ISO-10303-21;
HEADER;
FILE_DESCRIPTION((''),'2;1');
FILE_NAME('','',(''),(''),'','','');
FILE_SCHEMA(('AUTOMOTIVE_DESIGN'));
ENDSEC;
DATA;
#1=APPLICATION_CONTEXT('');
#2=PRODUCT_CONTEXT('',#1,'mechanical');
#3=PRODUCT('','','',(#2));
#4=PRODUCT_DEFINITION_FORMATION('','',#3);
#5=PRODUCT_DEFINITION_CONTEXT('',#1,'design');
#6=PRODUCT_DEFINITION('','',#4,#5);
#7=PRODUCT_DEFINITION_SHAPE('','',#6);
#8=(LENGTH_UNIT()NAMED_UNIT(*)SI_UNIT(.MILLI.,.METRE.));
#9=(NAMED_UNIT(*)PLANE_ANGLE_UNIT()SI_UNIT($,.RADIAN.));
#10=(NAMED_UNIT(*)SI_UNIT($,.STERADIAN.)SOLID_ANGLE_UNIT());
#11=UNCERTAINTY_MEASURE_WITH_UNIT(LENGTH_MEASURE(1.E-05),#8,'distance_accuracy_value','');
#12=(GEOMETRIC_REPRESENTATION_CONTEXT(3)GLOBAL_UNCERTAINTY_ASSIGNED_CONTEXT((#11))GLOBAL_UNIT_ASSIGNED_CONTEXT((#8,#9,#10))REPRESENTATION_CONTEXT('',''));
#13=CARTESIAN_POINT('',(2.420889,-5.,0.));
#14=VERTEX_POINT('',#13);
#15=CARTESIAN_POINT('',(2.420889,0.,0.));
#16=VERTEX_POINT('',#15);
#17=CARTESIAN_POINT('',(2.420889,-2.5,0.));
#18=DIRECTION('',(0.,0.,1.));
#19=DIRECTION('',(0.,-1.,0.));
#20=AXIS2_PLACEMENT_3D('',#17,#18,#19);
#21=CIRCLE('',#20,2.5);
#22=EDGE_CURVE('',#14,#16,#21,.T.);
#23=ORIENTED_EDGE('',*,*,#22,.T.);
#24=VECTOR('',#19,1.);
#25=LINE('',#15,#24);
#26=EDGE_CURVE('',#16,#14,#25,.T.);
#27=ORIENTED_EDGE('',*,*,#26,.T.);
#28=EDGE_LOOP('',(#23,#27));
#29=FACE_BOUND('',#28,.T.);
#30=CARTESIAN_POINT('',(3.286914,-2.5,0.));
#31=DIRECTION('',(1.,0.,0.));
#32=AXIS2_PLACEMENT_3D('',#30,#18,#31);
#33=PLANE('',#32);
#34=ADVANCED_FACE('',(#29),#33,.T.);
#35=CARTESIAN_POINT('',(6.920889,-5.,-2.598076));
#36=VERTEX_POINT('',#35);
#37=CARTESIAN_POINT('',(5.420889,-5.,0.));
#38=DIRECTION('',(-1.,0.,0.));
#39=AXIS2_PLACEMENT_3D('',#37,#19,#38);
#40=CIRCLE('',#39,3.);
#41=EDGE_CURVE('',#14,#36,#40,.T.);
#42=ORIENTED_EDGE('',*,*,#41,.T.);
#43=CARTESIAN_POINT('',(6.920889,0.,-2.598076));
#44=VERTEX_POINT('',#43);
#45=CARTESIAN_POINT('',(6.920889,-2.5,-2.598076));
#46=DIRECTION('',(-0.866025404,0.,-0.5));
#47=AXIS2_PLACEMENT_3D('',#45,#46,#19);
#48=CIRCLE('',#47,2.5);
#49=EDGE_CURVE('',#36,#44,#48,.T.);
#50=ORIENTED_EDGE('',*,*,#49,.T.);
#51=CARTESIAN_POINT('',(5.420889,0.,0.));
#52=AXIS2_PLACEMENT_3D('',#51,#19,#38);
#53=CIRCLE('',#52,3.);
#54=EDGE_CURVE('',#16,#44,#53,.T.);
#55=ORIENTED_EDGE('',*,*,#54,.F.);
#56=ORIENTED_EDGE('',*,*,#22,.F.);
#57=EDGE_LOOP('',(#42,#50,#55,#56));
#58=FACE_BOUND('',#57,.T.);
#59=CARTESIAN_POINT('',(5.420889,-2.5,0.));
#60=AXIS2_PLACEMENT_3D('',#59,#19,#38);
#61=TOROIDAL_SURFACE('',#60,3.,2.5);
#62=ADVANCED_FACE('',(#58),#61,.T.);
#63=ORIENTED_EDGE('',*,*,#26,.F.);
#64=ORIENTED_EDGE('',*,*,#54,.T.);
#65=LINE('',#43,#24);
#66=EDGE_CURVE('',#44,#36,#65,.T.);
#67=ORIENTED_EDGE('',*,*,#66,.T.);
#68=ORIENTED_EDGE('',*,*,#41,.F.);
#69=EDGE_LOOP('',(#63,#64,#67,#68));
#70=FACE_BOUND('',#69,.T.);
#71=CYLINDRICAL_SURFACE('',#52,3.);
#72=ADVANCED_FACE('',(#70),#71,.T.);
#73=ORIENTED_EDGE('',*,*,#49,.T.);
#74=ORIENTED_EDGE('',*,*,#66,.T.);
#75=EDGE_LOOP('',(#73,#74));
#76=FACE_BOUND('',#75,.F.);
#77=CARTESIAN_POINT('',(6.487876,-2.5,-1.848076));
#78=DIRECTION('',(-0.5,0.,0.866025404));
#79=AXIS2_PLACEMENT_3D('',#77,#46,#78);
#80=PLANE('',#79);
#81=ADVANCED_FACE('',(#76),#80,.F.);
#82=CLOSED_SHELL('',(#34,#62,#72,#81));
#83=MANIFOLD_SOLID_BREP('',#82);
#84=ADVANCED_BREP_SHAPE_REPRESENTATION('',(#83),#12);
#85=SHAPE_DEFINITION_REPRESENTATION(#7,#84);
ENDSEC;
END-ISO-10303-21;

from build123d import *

# Parameters (mm, degrees)
F1_ANGLE = 120


with BuildPart() as f1:
    # F0 (on Top) → F1 (revolve)
    with BuildSketch(Plane.XY):
        with BuildLine():
            ThreePointArc((2.420889, -5), (4.920889, -2.5), (2.420889, 0))
            Line((2.420889, 0), (2.420889, -5))
        make_face()
    revolve(axis=Axis((5.420889, -7.661184, 0), (0, -1, 0)), revolution_arc=F1_ANGLE)


solid = f1.part
